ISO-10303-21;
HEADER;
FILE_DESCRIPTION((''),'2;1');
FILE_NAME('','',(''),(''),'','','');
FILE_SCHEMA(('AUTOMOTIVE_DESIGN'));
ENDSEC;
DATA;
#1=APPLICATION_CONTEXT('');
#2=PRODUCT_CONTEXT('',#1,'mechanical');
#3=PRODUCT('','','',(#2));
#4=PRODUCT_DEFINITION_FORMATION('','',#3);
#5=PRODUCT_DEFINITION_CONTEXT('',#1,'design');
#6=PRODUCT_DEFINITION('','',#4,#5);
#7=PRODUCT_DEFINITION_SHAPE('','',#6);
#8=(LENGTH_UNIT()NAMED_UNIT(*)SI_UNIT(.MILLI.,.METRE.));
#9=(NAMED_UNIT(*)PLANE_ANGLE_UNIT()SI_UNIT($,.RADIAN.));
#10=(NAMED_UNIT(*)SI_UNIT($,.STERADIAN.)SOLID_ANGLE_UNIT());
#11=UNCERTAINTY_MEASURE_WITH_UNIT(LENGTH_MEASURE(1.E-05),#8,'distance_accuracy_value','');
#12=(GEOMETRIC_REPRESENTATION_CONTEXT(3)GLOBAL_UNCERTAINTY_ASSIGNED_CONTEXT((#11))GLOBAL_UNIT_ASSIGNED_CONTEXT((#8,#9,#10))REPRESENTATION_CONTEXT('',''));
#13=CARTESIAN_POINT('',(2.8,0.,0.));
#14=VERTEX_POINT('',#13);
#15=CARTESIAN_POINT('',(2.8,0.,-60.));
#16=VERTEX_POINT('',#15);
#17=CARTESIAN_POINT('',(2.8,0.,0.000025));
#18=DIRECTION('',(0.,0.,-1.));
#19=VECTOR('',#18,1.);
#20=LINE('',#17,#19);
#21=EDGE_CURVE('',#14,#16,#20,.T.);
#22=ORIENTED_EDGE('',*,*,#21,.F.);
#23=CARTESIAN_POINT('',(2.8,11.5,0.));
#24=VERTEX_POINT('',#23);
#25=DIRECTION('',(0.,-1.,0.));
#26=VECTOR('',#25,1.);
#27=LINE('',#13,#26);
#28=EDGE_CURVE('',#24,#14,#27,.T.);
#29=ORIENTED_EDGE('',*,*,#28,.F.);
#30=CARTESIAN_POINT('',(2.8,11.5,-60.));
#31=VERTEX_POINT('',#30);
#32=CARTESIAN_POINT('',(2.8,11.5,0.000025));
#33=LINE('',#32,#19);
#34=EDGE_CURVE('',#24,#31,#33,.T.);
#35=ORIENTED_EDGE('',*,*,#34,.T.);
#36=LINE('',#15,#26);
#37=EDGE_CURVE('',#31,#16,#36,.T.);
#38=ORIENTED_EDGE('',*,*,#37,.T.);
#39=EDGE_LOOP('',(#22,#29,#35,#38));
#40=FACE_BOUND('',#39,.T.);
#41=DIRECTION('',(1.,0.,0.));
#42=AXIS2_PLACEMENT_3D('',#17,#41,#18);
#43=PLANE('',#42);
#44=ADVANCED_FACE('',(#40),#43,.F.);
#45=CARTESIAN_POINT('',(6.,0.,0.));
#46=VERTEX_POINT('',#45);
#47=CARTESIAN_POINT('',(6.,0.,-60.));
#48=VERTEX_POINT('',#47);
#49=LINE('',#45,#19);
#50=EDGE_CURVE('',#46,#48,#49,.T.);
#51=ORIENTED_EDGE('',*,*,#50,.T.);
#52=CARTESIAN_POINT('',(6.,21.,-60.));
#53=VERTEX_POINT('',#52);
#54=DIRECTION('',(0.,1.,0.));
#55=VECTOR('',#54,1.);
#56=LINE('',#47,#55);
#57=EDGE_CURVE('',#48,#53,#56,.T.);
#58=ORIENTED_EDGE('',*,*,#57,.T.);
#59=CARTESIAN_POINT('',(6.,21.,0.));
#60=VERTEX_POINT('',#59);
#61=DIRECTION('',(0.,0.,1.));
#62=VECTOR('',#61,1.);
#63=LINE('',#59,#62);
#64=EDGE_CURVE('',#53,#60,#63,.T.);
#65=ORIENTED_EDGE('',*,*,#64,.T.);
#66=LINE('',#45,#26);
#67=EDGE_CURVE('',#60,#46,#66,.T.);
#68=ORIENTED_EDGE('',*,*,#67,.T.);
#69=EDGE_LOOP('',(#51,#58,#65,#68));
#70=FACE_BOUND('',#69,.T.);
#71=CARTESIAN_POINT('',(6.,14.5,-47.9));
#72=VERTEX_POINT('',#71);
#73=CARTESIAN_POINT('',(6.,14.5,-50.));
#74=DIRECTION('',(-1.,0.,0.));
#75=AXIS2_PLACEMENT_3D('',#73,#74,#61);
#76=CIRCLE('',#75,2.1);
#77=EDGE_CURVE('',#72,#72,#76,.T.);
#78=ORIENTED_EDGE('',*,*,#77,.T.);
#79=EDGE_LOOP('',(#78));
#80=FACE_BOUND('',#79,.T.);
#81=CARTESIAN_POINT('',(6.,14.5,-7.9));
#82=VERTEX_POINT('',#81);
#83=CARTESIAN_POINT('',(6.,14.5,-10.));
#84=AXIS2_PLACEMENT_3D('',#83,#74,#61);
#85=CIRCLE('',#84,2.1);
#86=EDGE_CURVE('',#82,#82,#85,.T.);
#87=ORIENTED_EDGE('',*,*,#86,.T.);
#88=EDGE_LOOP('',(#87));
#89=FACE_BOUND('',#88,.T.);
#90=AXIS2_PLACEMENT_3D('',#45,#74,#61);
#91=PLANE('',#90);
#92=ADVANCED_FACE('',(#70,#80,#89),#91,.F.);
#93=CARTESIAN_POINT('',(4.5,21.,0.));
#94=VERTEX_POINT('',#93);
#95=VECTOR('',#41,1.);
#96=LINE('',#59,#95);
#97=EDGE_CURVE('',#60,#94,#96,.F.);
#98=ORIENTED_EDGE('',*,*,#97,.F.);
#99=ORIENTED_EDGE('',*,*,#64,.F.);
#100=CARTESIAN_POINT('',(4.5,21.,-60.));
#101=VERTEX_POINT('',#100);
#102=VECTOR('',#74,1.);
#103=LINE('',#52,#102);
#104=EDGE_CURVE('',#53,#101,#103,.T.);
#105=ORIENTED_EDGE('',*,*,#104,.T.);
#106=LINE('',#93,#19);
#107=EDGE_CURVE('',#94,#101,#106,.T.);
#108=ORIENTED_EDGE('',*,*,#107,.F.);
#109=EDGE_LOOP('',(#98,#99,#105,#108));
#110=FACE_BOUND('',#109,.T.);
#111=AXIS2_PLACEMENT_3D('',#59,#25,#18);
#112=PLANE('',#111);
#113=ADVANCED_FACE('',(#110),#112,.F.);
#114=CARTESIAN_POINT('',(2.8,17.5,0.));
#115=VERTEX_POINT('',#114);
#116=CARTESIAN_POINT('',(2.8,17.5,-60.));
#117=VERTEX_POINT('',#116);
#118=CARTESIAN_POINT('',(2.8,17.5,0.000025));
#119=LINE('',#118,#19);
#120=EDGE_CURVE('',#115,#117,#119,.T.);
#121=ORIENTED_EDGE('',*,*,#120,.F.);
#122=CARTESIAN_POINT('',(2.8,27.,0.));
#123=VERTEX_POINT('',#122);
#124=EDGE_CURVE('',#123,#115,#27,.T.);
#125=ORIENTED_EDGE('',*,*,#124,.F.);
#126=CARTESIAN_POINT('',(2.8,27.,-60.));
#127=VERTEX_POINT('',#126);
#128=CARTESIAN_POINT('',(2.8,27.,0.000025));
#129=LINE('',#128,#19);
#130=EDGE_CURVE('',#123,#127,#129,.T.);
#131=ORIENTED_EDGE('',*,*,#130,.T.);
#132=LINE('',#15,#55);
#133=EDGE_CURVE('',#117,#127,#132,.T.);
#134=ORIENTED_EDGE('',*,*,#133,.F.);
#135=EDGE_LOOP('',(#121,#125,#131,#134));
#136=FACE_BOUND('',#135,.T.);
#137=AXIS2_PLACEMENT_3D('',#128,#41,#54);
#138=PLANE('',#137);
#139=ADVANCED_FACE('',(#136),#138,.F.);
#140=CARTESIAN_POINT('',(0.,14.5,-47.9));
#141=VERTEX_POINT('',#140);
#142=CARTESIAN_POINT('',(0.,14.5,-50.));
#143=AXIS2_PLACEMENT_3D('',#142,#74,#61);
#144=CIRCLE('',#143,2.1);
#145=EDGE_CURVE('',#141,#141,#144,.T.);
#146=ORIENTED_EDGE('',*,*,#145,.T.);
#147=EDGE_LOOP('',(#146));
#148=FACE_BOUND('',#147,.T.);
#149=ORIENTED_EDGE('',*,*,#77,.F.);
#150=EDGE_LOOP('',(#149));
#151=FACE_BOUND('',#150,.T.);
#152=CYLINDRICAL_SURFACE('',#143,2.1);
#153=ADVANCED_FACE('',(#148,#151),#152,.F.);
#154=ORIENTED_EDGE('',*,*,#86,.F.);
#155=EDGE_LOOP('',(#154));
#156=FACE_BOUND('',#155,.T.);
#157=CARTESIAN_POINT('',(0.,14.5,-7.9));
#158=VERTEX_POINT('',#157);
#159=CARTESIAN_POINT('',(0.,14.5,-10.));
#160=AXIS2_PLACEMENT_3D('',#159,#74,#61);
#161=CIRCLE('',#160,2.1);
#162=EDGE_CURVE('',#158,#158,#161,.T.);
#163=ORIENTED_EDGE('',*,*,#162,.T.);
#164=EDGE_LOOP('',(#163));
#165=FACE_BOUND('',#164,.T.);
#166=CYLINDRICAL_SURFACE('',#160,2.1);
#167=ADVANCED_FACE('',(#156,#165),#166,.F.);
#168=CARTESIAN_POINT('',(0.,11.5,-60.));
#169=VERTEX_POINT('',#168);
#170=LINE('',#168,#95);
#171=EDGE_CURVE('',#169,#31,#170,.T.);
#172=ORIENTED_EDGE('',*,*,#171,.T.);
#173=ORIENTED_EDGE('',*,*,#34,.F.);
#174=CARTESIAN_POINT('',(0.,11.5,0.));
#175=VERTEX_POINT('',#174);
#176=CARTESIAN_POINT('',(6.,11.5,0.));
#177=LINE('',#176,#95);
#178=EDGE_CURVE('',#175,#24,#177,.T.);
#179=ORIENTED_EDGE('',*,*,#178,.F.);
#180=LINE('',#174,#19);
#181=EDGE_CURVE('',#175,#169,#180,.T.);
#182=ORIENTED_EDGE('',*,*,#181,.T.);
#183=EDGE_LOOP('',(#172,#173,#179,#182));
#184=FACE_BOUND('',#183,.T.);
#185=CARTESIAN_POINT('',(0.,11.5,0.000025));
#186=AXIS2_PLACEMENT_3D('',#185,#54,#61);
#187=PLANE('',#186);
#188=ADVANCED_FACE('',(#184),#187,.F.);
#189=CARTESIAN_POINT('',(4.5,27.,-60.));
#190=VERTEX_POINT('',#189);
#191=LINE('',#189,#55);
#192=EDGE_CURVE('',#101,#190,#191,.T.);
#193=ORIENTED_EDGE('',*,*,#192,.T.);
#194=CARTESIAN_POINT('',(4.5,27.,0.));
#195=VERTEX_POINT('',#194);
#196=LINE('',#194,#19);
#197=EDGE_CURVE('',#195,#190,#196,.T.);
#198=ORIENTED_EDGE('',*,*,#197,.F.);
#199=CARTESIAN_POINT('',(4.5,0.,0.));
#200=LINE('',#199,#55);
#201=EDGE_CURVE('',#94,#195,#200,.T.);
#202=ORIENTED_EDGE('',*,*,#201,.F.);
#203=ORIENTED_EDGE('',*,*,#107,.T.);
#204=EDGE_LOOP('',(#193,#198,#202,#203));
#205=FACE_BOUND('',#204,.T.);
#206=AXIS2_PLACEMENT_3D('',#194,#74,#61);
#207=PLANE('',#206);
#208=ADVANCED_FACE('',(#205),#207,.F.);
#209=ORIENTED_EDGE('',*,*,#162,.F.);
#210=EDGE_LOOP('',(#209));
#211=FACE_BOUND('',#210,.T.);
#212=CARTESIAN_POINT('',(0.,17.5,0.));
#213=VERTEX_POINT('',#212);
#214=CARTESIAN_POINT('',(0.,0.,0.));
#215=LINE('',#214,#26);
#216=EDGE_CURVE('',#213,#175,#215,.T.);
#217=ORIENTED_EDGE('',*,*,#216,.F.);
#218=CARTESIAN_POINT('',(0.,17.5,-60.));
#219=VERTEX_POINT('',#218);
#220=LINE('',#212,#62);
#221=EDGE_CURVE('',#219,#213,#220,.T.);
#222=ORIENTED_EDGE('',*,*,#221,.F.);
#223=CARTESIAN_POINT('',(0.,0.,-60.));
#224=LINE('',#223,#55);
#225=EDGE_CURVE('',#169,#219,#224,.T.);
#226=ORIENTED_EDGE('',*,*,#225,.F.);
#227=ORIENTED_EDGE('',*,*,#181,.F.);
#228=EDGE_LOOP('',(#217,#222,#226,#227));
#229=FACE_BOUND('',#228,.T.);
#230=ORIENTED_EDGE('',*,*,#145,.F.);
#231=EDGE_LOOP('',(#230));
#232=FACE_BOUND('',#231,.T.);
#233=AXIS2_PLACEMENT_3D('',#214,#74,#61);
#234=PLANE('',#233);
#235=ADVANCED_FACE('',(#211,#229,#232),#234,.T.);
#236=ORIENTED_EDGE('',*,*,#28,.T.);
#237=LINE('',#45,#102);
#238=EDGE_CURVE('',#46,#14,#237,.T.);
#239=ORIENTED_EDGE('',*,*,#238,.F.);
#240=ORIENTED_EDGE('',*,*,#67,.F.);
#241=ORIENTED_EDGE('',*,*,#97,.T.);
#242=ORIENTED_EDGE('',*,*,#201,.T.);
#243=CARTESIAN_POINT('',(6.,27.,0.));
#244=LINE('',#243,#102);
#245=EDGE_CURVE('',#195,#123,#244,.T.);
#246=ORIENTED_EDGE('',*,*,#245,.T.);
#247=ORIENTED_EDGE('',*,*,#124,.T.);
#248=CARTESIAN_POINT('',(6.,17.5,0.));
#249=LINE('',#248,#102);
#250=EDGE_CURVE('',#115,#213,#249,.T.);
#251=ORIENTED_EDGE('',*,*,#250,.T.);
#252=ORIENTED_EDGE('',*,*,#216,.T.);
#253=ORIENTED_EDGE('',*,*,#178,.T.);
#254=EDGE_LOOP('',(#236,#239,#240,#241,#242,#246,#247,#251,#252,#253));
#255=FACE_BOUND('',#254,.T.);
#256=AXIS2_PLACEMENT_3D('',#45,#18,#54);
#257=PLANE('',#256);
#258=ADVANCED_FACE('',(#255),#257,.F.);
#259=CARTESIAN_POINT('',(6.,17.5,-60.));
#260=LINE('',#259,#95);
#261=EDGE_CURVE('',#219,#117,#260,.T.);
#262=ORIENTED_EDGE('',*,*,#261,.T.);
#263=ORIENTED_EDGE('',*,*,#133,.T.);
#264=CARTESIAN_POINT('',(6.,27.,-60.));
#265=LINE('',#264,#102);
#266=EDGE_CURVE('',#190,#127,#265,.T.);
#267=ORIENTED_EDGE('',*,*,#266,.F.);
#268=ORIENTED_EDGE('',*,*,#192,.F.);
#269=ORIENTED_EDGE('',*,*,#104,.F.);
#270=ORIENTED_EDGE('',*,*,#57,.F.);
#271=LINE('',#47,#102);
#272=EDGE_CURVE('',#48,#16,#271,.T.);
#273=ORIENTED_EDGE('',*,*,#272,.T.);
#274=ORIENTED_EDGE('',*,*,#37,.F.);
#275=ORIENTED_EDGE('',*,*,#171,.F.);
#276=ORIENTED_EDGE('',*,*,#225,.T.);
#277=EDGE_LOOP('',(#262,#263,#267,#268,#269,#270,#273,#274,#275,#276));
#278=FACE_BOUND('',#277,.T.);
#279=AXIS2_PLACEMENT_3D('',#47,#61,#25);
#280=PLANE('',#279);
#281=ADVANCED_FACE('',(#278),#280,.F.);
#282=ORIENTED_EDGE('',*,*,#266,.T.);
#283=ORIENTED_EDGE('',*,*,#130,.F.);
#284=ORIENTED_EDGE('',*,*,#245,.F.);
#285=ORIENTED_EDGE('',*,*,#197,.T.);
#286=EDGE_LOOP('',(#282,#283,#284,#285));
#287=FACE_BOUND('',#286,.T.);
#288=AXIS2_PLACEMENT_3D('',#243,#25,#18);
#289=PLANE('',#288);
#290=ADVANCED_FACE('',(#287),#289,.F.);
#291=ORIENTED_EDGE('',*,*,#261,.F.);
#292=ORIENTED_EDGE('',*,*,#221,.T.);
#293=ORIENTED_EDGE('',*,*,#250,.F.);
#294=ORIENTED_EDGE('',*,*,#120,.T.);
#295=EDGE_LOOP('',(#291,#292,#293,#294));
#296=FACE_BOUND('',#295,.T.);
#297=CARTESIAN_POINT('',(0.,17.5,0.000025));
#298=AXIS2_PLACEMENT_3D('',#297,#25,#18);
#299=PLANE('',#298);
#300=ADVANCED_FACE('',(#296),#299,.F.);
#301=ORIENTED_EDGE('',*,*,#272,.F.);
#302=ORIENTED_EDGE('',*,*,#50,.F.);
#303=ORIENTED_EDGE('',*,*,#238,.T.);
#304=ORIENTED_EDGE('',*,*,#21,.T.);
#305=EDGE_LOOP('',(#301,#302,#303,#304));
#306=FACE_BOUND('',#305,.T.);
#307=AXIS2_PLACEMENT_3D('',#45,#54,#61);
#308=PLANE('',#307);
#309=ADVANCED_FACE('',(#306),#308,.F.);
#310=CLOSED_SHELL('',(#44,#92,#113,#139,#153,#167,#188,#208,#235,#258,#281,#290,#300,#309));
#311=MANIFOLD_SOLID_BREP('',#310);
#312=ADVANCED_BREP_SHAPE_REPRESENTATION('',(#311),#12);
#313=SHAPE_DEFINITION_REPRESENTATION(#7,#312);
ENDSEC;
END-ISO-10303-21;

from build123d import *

# Parameters (mm, degrees)
SKETCH1_W                = 60
SKETCH1_H                = 27
BOSS_EXTRUDE1_DEPTH      = 6
CUT_EXTRUDE19_DEPTH      = 67.068146637
CUT_EXTRUDE19_DEPTH_BACK = 67.068146637
SKETCH9_W                = 2.8
SKETCH9_H                = 11.5
CUT_EXTRUDE20_DEPTH      = 67.068146637
CUT_EXTRUDE21_DEPTH      = 67.068146637
CUT_EXTRUDE21_DEPTH_BACK = 67.068146637
SKETCH10_W               = 2.8
SKETCH10_H               = 9.5
M5_TAPPED_HOLE3_D        = 4.2
M5_TAPPED_HOLE3_DEPTH    = 12.4
M5_TAPPED_HOLE3_TIP      = 1.2618073
M5_TAPPED_HOLE4_D        = 4.2
M5_TAPPED_HOLE4_DEPTH    = 12.4
M5_TAPPED_HOLE4_TIP      = 1.2618073


with BuildPart() as part:
    # Sketch1 → Boss-Extrude1 (new body)
    with BuildSketch(Plane(origin=(0, 0, 0), x_dir=(0, 0, -1), z_dir=(1, 0, 0))):
        with Locations((30, 13.5)):
            Rectangle(SKETCH1_W, SKETCH1_H)
    extrude(amount=BOSS_EXTRUDE1_DEPTH)

    # 3DSketch1 → Cut-Extrude19 (cut, two sides: drawn at the far end of the back side and taken through both)
    with BuildSketch(Plane(origin=(6, 27, 0), x_dir=(-0.24253562503633286, -0.970142500145332, 0), z_dir=(0, 0, -1)).offset(-CUT_EXTRUDE19_DEPTH_BACK)):
        Polygon((0, 0), (0.363803438, 1.45521375), (6.184658438, 0), (5.820855001, -1.45521375), align=None)
    extrude(amount=CUT_EXTRUDE19_DEPTH + CUT_EXTRUDE19_DEPTH_BACK, mode=Mode.SUBTRACT)

    # Sketch9 → Cut-Extrude20 (cut, through all)
    with BuildSketch(Plane(origin=(0, 0, -60), x_dir=(-1, 0, 0), z_dir=(0, 0, -1))):
        with Locations((-1.4, 5.75)):
            Rectangle(SKETCH9_W, SKETCH9_H)
    extrude(amount=-CUT_EXTRUDE20_DEPTH, mode=Mode.SUBTRACT)

    # Sketch10 → Cut-Extrude21 (cut, two sides: drawn at the far end of the back side and taken through both)
    with BuildSketch(Plane(origin=(0, 0, -60), x_dir=(-1, 0, 0), z_dir=(0, 0, -1)).offset(-CUT_EXTRUDE21_DEPTH_BACK)):
        with Locations((-1.4, 22.25)):
            Rectangle(SKETCH10_W, SKETCH10_H)
    extrude(amount=CUT_EXTRUDE21_DEPTH + CUT_EXTRUDE21_DEPTH_BACK, mode=Mode.SUBTRACT)

    # M5 Tapped Hole3
    with Locations(Plane(origin=(0, 14.5, -50), x_dir=(0, 0, -1), z_dir=(-1, 0, 0))):
        with Locations((0, 0)):
            Hole(M5_TAPPED_HOLE3_D / 2, depth=M5_TAPPED_HOLE3_DEPTH)
            with Locations((0, 0, -(M5_TAPPED_HOLE3_DEPTH + M5_TAPPED_HOLE3_TIP / 2))):  # 118° drill point
                Cone(0, M5_TAPPED_HOLE3_D / 2, M5_TAPPED_HOLE3_TIP, mode=Mode.SUBTRACT)

    # M5 Tapped Hole4
    with Locations(Plane(origin=(0, 14.5, -10), x_dir=(0, 0, -1), z_dir=(-1, 0, 0))):
        with Locations((0, 0)):
            Hole(M5_TAPPED_HOLE4_D / 2, depth=M5_TAPPED_HOLE4_DEPTH)
            with Locations((0, 0, -(M5_TAPPED_HOLE4_DEPTH + M5_TAPPED_HOLE4_TIP / 2))):  # 118° drill point
                Cone(0, M5_TAPPED_HOLE4_D / 2, M5_TAPPED_HOLE4_TIP, mode=Mode.SUBTRACT)


solid = part.part
